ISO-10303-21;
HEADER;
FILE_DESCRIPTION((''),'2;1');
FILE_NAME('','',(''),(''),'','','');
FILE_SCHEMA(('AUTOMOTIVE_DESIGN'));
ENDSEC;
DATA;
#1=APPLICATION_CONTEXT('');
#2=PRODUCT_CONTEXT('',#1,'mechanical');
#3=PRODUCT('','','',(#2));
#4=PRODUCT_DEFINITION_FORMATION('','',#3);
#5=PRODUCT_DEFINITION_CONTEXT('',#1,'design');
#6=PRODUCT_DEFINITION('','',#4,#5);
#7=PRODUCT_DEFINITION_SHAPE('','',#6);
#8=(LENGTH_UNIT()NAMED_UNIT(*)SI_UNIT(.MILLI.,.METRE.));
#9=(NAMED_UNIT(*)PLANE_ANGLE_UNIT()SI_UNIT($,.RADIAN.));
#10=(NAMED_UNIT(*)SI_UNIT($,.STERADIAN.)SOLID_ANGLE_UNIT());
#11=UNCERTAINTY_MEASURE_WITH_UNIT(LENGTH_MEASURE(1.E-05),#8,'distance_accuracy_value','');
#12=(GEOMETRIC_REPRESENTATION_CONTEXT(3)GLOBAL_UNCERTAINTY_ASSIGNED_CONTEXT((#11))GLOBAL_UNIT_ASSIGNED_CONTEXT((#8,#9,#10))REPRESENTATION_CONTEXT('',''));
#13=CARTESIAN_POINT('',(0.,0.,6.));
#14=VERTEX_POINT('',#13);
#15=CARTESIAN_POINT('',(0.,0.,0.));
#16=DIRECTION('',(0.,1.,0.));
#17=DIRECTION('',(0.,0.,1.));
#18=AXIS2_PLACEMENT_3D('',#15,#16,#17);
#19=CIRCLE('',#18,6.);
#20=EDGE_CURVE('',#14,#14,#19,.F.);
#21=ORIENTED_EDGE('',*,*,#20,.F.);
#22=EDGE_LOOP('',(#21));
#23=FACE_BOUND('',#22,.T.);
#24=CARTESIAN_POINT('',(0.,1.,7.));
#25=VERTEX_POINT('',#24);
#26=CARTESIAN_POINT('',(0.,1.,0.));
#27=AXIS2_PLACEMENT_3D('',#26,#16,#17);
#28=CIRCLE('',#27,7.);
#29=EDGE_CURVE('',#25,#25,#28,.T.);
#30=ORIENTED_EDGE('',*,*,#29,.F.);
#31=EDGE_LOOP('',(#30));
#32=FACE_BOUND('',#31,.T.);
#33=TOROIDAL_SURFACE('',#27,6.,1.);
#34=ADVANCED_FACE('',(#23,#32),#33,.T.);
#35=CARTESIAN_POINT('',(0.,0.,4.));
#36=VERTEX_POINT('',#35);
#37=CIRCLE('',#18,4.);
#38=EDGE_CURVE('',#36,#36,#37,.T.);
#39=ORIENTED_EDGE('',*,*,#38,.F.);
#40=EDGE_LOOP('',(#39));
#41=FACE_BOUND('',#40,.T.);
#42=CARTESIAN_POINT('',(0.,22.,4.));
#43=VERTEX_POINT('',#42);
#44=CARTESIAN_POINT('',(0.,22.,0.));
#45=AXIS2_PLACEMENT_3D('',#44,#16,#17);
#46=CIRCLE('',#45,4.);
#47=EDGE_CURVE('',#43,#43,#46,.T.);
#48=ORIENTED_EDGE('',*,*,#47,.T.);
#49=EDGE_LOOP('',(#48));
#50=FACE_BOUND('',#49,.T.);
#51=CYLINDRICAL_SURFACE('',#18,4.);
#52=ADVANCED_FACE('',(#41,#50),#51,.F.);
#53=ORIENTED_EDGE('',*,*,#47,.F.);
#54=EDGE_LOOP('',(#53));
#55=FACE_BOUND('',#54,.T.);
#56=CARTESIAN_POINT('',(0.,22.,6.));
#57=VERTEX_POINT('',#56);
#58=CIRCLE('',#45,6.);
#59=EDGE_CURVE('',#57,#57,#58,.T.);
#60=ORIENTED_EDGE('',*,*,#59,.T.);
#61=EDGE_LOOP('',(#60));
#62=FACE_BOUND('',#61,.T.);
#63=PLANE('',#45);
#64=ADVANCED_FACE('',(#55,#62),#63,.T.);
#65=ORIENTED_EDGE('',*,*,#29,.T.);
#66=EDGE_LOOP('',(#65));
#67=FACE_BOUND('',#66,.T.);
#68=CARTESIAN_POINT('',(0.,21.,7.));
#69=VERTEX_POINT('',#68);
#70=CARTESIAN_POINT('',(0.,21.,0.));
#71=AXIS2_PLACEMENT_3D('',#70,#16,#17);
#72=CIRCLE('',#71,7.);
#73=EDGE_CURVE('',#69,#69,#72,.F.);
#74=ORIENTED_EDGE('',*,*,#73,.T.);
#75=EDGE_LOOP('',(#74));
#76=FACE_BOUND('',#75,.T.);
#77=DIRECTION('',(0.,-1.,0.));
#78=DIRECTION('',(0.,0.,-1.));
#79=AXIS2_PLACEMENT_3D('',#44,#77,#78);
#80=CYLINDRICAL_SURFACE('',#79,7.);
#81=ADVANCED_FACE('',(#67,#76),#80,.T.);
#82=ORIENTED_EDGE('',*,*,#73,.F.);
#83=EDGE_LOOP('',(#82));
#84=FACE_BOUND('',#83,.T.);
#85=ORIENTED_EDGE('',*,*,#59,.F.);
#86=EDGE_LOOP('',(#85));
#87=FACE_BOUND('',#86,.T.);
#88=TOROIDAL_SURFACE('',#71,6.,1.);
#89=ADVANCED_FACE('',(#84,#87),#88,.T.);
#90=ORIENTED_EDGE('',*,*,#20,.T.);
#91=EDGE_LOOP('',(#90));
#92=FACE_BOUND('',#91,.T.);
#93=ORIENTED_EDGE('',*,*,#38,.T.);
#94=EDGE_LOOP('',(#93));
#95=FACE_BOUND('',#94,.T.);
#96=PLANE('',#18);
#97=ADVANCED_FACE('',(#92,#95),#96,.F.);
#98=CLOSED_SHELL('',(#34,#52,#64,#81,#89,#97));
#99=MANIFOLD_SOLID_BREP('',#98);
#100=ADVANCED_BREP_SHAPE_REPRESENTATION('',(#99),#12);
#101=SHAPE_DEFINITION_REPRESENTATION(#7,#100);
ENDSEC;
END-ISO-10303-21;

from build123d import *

# Parameters (mm, degrees)
SKETCH1_R           = 7
BOSS_EXTRUDE1_DEPTH = 22
SKETCH2_R           = 4
CUT_EXTRUDE1_DEPTH  = 25.124676164
FILLET1_R           = 1
FILLET2_R           = 1


with BuildPart() as part:
    # Sketch1 → Boss-Extrude1 (new body)
    with BuildSketch(Plane(origin=(0, 0, 0), x_dir=(1, 0, 0), z_dir=(0, 1, 0))):
        with Locations(Location((0, 0, 0), (0, 0, 270))):
            Circle(SKETCH1_R)
    extrude(amount=BOSS_EXTRUDE1_DEPTH)

    # Sketch2 → Cut-Extrude1 (cut, through all)
    with BuildSketch(Plane(origin=(0, 22, 0), x_dir=(1, 0, 0), z_dir=(0, 1, 0))):
        with Locations(Location((0, 0, 0), (0, 0, 270))):
            Circle(SKETCH2_R)
    extrude(amount=-CUT_EXTRUDE1_DEPTH, mode=Mode.SUBTRACT)

    # Fillet1
    fillet1_edges = [part.edges().sort_by_distance(p)[0] for p in [
        (0, 22, -7),
    ]]
    fillet(fillet1_edges, radius=FILLET1_R)

    # Fillet2
    fillet2_edges = [part.edges().sort_by_distance(p)[0] for p in [
        (0, 0, -7),
    ]]
    fillet(fillet2_edges, radius=FILLET2_R)


solid = part.part
